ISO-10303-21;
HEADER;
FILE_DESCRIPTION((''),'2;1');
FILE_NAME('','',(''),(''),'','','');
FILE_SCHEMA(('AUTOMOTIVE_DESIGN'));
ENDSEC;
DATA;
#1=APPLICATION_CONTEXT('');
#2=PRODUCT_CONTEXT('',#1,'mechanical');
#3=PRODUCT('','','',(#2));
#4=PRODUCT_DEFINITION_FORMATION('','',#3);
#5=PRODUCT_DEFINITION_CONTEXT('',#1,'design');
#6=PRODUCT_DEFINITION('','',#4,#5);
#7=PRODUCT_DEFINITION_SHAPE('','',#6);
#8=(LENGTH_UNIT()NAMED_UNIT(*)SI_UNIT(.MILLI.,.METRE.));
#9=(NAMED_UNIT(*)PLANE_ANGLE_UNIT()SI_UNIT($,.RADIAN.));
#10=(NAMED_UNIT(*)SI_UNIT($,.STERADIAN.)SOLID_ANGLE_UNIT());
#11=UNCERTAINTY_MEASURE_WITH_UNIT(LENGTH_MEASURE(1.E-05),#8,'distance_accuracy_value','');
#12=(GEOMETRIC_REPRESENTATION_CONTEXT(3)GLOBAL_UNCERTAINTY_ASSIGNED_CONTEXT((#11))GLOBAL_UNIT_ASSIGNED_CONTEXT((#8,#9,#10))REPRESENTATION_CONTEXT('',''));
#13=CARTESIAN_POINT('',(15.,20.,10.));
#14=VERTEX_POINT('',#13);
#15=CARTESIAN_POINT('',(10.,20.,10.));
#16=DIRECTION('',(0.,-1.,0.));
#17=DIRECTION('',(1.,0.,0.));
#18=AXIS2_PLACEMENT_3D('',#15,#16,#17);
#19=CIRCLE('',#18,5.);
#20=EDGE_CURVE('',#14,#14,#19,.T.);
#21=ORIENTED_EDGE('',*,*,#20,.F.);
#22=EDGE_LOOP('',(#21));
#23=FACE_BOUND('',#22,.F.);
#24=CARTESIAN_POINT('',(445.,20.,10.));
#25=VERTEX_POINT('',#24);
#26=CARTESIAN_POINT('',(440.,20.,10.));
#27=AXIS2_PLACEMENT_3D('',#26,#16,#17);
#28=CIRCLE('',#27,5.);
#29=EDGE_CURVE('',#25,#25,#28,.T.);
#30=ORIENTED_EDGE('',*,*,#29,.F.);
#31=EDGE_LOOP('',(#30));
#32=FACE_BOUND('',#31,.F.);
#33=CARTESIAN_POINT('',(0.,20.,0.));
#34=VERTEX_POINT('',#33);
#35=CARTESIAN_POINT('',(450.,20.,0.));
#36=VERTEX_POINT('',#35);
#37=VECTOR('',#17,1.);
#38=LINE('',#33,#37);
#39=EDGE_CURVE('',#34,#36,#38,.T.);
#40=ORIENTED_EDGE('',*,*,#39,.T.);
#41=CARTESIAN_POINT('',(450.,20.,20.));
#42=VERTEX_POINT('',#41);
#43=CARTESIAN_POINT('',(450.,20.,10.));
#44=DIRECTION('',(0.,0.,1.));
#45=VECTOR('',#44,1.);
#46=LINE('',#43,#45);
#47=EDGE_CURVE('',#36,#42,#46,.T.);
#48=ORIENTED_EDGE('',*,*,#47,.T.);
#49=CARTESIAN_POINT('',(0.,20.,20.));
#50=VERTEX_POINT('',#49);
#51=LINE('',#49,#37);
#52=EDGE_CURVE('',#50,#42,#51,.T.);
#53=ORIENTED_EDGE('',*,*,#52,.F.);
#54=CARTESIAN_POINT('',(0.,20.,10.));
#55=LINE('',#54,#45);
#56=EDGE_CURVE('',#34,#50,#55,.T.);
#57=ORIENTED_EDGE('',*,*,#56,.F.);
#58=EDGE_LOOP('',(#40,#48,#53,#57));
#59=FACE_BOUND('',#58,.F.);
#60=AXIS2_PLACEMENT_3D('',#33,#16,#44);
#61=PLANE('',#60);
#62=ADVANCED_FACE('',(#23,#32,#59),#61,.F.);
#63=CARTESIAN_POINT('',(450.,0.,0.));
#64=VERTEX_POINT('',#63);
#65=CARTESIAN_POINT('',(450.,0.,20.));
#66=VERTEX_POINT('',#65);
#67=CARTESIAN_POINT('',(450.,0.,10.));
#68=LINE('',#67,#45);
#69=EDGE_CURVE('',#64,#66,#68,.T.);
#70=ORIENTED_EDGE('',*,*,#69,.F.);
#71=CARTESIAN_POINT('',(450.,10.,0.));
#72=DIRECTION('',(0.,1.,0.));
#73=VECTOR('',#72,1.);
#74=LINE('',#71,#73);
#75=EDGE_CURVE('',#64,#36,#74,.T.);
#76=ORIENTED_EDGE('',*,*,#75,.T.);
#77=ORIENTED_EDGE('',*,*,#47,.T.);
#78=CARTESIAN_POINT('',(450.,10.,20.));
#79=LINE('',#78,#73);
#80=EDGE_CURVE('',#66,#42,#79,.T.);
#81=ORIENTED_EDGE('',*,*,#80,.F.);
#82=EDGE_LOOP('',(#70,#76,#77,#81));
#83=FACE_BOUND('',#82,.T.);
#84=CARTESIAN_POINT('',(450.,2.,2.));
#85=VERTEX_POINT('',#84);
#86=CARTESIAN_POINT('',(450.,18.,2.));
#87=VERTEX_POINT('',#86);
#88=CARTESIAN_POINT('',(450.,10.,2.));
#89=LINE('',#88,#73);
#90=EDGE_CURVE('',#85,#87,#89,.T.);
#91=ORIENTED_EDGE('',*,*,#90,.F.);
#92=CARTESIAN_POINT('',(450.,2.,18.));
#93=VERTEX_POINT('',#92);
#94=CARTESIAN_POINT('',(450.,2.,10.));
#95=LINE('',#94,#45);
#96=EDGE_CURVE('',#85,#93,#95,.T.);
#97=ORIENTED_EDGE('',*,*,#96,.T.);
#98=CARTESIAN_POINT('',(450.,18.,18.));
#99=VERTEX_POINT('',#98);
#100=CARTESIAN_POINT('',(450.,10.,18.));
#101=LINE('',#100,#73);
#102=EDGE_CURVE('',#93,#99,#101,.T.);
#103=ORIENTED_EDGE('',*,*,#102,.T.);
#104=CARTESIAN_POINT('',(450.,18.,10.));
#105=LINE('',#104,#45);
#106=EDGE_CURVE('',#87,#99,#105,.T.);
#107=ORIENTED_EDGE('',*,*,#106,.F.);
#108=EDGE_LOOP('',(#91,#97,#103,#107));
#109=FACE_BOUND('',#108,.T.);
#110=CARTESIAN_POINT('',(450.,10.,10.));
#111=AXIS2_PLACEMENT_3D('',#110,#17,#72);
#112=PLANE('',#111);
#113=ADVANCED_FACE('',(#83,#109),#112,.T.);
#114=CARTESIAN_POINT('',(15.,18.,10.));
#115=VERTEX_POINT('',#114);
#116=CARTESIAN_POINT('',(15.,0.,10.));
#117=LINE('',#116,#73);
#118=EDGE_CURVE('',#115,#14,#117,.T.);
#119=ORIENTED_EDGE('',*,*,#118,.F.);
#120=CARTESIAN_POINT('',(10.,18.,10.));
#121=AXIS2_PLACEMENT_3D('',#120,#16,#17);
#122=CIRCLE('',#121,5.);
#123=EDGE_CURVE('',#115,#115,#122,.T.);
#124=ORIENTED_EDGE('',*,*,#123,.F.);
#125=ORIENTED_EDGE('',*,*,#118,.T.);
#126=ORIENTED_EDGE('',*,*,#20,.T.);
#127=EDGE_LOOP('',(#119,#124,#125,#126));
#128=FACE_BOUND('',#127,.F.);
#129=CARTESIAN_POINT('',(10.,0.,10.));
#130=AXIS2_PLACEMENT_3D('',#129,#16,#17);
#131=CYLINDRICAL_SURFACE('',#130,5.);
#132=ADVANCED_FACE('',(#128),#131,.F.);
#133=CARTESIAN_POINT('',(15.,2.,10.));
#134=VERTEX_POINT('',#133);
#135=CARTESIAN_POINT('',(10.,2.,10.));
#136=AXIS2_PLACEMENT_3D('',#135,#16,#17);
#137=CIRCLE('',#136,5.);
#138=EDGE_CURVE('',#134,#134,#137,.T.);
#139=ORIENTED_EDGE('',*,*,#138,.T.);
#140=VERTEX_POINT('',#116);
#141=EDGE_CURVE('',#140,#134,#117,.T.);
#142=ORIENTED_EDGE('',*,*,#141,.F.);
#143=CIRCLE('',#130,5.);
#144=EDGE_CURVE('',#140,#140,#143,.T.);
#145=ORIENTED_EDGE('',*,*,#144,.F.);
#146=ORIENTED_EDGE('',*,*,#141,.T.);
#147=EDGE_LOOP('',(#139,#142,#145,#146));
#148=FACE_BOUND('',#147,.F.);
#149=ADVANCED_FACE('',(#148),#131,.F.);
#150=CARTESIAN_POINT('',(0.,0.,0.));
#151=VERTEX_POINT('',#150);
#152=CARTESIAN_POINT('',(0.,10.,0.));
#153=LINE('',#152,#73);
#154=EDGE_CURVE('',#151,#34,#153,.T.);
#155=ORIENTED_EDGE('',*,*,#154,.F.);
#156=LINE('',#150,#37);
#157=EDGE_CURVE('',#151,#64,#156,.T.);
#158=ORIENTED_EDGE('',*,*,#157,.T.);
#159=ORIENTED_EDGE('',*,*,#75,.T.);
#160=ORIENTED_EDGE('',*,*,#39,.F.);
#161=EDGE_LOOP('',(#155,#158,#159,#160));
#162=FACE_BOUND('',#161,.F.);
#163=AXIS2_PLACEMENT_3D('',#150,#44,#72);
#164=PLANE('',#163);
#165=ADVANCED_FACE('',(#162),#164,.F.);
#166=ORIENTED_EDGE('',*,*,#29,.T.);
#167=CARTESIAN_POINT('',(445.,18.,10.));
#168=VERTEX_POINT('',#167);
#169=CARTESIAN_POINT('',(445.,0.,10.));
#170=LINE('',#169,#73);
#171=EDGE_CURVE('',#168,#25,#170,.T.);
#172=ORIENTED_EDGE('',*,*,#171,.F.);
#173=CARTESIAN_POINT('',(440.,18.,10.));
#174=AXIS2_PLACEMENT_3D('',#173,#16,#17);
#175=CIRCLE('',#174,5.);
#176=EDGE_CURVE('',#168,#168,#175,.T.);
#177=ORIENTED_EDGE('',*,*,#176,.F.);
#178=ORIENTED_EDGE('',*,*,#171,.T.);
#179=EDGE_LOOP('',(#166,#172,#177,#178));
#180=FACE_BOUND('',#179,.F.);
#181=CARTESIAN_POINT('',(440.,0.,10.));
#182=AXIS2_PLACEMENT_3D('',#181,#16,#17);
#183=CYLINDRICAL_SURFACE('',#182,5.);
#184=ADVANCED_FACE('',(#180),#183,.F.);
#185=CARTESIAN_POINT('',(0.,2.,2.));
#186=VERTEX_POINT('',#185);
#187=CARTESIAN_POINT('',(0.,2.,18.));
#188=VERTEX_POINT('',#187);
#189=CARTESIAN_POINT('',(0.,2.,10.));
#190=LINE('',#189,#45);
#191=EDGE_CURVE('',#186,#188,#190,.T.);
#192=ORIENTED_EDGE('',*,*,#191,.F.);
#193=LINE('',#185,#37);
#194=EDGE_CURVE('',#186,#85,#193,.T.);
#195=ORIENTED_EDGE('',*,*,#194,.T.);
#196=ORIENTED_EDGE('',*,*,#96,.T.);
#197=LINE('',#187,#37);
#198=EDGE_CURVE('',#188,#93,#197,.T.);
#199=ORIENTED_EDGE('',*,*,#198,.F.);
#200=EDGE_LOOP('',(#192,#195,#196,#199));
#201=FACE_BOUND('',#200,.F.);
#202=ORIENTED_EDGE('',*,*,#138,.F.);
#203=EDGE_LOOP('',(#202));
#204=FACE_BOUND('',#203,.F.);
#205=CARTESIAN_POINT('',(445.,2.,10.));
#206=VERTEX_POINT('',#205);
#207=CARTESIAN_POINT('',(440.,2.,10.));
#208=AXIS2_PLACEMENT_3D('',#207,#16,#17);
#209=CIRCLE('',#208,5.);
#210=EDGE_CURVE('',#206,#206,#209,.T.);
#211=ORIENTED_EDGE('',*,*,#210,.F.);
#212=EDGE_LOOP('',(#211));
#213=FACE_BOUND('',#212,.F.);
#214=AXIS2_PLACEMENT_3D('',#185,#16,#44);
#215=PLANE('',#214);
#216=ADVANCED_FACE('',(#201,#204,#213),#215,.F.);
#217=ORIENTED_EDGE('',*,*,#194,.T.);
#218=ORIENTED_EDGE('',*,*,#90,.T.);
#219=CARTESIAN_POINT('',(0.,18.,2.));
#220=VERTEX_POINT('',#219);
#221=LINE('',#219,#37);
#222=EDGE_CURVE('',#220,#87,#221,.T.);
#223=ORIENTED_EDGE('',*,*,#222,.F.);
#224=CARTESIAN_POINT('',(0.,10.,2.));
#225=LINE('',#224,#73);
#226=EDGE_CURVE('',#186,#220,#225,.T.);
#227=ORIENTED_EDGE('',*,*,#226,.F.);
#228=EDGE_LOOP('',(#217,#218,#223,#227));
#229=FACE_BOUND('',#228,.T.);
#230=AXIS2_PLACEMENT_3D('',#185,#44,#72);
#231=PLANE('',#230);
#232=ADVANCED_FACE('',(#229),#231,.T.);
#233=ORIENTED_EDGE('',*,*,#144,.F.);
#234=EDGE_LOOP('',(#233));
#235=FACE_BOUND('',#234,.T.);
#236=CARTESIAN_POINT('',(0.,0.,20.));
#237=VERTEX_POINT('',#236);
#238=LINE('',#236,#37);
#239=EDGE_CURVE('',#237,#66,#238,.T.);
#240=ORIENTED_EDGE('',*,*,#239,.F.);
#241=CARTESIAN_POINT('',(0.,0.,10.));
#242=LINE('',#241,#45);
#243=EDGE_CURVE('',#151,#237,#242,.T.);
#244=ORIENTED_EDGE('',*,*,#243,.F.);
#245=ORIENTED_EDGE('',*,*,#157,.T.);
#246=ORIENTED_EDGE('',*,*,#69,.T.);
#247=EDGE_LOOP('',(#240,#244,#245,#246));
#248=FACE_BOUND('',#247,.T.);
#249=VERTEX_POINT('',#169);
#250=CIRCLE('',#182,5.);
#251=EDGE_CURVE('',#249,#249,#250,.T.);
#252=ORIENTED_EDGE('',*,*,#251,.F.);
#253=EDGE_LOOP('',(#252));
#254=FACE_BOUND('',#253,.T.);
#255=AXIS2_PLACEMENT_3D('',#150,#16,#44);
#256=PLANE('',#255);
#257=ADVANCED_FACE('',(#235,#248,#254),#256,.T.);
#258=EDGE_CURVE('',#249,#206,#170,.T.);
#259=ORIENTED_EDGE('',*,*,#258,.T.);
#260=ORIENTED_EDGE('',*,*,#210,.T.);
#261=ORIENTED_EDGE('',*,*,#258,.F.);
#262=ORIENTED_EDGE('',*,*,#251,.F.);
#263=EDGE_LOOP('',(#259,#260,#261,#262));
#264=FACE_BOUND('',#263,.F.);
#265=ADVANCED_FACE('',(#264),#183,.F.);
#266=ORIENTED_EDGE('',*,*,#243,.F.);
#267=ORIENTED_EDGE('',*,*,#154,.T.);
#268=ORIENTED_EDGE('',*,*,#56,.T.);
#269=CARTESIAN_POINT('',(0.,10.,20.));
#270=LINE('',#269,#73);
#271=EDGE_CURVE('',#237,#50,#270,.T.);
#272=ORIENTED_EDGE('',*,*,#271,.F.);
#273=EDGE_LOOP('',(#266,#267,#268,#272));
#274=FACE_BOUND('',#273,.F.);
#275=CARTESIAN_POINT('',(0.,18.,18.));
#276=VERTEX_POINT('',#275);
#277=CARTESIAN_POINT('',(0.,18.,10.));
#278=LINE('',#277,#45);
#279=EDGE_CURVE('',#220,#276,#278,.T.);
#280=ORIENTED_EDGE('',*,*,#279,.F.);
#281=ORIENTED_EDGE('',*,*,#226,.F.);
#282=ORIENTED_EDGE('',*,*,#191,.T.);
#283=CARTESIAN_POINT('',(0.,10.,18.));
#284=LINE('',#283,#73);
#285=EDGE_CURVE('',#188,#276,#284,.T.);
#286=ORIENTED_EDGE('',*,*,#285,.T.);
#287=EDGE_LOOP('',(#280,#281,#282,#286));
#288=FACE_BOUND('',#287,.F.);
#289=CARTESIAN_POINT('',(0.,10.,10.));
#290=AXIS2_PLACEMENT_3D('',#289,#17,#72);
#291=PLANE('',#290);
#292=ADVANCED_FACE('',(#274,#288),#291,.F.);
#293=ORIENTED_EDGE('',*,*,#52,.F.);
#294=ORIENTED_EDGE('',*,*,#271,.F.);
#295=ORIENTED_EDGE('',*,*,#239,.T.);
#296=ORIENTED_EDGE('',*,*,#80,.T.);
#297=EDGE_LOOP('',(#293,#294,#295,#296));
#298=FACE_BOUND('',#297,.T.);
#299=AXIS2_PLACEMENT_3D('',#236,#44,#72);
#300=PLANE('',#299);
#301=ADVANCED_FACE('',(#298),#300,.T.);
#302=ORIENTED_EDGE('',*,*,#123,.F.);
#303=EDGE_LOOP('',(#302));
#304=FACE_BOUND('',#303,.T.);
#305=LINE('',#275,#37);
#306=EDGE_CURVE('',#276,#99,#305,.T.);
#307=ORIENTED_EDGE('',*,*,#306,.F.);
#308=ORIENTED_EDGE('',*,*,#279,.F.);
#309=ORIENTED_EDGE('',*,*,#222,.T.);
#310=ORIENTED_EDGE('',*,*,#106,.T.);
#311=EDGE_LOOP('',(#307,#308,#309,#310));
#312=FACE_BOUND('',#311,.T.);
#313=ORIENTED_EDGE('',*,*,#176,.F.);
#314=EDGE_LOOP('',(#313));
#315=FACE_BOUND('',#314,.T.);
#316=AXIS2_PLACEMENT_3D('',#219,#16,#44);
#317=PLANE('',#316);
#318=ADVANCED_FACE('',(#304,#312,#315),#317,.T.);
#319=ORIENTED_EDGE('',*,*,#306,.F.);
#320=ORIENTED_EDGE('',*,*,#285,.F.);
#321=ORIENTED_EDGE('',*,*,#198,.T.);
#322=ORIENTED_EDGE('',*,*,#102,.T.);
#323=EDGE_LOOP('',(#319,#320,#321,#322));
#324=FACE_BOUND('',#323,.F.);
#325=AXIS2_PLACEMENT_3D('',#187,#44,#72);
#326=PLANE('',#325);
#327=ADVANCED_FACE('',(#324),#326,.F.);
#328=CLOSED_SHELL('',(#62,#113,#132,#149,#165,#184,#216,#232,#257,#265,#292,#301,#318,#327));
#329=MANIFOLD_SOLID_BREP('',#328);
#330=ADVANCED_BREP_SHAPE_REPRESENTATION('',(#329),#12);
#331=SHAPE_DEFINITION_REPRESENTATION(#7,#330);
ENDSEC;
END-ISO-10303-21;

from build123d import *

# Parameters (mm, degrees)
F0_W     = 20
F0_H     = 20
F0_W_2   = 16
F0_H_2   = 16
F1_DEPTH = 450
F2_R     = 5
F3_DEPTH = 20.001
F4_R     = 5
F5_DEPTH = 20.001


with BuildPart() as f1:
    # F0 (on Right) → F1 (new body)
    with BuildSketch(Plane.YZ):
        with Locations((10, 10)):
            Rectangle(F0_W, F0_H)
        with Locations((10, 10)):
            Rectangle(F0_W_2, F0_H_2, mode=Mode.SUBTRACT)
    extrude(amount=F1_DEPTH)

    # F2 (on face) → F3 (cut, through all)
    with BuildSketch(Plane.XZ):
        with Locations((440, 10)):
            Circle(F2_R)
    extrude(amount=-F3_DEPTH, mode=Mode.SUBTRACT)

    # F4 (on face) → F5 (cut, through all)
    with BuildSketch(Plane.XZ):
        with Locations((10, 10)):
            Circle(F4_R)
    extrude(amount=-F5_DEPTH, mode=Mode.SUBTRACT)


solid = f1.part
